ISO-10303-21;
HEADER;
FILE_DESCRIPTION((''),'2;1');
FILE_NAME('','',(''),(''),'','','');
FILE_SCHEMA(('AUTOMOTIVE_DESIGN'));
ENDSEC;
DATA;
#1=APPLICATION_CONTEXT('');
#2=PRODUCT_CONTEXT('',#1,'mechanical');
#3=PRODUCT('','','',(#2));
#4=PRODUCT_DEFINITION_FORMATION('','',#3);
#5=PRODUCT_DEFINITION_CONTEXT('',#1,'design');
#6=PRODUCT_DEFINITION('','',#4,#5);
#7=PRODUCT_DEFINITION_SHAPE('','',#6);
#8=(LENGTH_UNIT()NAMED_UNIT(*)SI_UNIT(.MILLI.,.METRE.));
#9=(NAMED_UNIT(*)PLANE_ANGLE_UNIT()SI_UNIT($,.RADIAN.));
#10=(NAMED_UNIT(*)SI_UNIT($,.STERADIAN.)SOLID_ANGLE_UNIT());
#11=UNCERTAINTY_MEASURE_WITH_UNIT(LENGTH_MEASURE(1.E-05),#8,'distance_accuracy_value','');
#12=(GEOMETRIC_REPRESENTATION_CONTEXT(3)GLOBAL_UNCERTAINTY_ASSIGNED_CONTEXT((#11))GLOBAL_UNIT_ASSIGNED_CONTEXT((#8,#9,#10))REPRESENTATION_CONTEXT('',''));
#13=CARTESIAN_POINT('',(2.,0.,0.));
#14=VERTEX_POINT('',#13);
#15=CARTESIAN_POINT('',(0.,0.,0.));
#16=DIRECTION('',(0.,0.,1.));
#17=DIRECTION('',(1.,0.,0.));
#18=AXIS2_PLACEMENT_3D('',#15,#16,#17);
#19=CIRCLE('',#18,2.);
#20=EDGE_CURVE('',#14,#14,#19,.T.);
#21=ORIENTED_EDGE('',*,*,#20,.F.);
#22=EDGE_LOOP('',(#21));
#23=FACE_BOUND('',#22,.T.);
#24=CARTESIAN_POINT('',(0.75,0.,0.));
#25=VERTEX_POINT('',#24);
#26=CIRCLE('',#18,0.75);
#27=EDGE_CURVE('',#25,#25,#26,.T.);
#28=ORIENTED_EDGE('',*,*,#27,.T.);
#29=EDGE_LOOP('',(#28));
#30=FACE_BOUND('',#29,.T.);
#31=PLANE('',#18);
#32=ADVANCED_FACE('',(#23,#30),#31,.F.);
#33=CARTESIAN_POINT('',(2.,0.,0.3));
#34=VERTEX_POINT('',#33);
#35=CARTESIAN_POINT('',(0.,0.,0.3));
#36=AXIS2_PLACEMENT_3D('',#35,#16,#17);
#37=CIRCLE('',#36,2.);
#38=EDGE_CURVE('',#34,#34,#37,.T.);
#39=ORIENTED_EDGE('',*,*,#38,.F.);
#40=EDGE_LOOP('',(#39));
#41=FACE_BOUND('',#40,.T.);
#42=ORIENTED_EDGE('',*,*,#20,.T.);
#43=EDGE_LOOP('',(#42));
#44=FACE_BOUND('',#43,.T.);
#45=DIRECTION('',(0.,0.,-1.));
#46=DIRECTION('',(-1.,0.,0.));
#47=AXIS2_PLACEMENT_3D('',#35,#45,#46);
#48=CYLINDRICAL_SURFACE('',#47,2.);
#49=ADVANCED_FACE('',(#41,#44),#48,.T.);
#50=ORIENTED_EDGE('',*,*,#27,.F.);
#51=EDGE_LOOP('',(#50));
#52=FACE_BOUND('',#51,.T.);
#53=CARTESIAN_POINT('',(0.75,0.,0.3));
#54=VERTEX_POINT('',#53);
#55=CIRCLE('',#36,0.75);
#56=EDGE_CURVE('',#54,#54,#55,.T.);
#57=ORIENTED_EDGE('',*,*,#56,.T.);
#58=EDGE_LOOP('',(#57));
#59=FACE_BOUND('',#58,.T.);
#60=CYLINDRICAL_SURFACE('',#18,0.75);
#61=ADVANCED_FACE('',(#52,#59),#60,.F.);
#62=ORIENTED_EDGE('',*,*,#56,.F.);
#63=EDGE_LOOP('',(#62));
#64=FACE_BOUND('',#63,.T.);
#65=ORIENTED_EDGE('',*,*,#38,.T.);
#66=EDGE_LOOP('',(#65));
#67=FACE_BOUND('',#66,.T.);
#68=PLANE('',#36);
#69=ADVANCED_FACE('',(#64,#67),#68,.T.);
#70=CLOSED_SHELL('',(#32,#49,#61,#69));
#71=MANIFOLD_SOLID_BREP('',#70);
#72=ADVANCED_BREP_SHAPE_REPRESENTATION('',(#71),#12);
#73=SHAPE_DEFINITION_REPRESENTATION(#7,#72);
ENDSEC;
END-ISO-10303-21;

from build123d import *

# Parameters (mm, degrees)
SKETCH_1_R          = 2
EXTRUDE_178_DEPTH   = 0.3
SKETCH_2_R          = 0.75
CUT_EXTRUDE_1_DEPTH = 3.844292531


with BuildPart() as part:
    # Эскиз1 → Extrude 178 (new body)
    with BuildSketch(Plane.XY):
        Circle(SKETCH_1_R)
    extrude(amount=EXTRUDE_178_DEPTH)

    # Эскиз2 → Вырез-Вытянуть1 (cut, through all)
    with BuildSketch(Plane.XY.offset(0.3)):
        Circle(SKETCH_2_R)
    extrude(amount=-CUT_EXTRUDE_1_DEPTH, mode=Mode.SUBTRACT)


solid = part.part
